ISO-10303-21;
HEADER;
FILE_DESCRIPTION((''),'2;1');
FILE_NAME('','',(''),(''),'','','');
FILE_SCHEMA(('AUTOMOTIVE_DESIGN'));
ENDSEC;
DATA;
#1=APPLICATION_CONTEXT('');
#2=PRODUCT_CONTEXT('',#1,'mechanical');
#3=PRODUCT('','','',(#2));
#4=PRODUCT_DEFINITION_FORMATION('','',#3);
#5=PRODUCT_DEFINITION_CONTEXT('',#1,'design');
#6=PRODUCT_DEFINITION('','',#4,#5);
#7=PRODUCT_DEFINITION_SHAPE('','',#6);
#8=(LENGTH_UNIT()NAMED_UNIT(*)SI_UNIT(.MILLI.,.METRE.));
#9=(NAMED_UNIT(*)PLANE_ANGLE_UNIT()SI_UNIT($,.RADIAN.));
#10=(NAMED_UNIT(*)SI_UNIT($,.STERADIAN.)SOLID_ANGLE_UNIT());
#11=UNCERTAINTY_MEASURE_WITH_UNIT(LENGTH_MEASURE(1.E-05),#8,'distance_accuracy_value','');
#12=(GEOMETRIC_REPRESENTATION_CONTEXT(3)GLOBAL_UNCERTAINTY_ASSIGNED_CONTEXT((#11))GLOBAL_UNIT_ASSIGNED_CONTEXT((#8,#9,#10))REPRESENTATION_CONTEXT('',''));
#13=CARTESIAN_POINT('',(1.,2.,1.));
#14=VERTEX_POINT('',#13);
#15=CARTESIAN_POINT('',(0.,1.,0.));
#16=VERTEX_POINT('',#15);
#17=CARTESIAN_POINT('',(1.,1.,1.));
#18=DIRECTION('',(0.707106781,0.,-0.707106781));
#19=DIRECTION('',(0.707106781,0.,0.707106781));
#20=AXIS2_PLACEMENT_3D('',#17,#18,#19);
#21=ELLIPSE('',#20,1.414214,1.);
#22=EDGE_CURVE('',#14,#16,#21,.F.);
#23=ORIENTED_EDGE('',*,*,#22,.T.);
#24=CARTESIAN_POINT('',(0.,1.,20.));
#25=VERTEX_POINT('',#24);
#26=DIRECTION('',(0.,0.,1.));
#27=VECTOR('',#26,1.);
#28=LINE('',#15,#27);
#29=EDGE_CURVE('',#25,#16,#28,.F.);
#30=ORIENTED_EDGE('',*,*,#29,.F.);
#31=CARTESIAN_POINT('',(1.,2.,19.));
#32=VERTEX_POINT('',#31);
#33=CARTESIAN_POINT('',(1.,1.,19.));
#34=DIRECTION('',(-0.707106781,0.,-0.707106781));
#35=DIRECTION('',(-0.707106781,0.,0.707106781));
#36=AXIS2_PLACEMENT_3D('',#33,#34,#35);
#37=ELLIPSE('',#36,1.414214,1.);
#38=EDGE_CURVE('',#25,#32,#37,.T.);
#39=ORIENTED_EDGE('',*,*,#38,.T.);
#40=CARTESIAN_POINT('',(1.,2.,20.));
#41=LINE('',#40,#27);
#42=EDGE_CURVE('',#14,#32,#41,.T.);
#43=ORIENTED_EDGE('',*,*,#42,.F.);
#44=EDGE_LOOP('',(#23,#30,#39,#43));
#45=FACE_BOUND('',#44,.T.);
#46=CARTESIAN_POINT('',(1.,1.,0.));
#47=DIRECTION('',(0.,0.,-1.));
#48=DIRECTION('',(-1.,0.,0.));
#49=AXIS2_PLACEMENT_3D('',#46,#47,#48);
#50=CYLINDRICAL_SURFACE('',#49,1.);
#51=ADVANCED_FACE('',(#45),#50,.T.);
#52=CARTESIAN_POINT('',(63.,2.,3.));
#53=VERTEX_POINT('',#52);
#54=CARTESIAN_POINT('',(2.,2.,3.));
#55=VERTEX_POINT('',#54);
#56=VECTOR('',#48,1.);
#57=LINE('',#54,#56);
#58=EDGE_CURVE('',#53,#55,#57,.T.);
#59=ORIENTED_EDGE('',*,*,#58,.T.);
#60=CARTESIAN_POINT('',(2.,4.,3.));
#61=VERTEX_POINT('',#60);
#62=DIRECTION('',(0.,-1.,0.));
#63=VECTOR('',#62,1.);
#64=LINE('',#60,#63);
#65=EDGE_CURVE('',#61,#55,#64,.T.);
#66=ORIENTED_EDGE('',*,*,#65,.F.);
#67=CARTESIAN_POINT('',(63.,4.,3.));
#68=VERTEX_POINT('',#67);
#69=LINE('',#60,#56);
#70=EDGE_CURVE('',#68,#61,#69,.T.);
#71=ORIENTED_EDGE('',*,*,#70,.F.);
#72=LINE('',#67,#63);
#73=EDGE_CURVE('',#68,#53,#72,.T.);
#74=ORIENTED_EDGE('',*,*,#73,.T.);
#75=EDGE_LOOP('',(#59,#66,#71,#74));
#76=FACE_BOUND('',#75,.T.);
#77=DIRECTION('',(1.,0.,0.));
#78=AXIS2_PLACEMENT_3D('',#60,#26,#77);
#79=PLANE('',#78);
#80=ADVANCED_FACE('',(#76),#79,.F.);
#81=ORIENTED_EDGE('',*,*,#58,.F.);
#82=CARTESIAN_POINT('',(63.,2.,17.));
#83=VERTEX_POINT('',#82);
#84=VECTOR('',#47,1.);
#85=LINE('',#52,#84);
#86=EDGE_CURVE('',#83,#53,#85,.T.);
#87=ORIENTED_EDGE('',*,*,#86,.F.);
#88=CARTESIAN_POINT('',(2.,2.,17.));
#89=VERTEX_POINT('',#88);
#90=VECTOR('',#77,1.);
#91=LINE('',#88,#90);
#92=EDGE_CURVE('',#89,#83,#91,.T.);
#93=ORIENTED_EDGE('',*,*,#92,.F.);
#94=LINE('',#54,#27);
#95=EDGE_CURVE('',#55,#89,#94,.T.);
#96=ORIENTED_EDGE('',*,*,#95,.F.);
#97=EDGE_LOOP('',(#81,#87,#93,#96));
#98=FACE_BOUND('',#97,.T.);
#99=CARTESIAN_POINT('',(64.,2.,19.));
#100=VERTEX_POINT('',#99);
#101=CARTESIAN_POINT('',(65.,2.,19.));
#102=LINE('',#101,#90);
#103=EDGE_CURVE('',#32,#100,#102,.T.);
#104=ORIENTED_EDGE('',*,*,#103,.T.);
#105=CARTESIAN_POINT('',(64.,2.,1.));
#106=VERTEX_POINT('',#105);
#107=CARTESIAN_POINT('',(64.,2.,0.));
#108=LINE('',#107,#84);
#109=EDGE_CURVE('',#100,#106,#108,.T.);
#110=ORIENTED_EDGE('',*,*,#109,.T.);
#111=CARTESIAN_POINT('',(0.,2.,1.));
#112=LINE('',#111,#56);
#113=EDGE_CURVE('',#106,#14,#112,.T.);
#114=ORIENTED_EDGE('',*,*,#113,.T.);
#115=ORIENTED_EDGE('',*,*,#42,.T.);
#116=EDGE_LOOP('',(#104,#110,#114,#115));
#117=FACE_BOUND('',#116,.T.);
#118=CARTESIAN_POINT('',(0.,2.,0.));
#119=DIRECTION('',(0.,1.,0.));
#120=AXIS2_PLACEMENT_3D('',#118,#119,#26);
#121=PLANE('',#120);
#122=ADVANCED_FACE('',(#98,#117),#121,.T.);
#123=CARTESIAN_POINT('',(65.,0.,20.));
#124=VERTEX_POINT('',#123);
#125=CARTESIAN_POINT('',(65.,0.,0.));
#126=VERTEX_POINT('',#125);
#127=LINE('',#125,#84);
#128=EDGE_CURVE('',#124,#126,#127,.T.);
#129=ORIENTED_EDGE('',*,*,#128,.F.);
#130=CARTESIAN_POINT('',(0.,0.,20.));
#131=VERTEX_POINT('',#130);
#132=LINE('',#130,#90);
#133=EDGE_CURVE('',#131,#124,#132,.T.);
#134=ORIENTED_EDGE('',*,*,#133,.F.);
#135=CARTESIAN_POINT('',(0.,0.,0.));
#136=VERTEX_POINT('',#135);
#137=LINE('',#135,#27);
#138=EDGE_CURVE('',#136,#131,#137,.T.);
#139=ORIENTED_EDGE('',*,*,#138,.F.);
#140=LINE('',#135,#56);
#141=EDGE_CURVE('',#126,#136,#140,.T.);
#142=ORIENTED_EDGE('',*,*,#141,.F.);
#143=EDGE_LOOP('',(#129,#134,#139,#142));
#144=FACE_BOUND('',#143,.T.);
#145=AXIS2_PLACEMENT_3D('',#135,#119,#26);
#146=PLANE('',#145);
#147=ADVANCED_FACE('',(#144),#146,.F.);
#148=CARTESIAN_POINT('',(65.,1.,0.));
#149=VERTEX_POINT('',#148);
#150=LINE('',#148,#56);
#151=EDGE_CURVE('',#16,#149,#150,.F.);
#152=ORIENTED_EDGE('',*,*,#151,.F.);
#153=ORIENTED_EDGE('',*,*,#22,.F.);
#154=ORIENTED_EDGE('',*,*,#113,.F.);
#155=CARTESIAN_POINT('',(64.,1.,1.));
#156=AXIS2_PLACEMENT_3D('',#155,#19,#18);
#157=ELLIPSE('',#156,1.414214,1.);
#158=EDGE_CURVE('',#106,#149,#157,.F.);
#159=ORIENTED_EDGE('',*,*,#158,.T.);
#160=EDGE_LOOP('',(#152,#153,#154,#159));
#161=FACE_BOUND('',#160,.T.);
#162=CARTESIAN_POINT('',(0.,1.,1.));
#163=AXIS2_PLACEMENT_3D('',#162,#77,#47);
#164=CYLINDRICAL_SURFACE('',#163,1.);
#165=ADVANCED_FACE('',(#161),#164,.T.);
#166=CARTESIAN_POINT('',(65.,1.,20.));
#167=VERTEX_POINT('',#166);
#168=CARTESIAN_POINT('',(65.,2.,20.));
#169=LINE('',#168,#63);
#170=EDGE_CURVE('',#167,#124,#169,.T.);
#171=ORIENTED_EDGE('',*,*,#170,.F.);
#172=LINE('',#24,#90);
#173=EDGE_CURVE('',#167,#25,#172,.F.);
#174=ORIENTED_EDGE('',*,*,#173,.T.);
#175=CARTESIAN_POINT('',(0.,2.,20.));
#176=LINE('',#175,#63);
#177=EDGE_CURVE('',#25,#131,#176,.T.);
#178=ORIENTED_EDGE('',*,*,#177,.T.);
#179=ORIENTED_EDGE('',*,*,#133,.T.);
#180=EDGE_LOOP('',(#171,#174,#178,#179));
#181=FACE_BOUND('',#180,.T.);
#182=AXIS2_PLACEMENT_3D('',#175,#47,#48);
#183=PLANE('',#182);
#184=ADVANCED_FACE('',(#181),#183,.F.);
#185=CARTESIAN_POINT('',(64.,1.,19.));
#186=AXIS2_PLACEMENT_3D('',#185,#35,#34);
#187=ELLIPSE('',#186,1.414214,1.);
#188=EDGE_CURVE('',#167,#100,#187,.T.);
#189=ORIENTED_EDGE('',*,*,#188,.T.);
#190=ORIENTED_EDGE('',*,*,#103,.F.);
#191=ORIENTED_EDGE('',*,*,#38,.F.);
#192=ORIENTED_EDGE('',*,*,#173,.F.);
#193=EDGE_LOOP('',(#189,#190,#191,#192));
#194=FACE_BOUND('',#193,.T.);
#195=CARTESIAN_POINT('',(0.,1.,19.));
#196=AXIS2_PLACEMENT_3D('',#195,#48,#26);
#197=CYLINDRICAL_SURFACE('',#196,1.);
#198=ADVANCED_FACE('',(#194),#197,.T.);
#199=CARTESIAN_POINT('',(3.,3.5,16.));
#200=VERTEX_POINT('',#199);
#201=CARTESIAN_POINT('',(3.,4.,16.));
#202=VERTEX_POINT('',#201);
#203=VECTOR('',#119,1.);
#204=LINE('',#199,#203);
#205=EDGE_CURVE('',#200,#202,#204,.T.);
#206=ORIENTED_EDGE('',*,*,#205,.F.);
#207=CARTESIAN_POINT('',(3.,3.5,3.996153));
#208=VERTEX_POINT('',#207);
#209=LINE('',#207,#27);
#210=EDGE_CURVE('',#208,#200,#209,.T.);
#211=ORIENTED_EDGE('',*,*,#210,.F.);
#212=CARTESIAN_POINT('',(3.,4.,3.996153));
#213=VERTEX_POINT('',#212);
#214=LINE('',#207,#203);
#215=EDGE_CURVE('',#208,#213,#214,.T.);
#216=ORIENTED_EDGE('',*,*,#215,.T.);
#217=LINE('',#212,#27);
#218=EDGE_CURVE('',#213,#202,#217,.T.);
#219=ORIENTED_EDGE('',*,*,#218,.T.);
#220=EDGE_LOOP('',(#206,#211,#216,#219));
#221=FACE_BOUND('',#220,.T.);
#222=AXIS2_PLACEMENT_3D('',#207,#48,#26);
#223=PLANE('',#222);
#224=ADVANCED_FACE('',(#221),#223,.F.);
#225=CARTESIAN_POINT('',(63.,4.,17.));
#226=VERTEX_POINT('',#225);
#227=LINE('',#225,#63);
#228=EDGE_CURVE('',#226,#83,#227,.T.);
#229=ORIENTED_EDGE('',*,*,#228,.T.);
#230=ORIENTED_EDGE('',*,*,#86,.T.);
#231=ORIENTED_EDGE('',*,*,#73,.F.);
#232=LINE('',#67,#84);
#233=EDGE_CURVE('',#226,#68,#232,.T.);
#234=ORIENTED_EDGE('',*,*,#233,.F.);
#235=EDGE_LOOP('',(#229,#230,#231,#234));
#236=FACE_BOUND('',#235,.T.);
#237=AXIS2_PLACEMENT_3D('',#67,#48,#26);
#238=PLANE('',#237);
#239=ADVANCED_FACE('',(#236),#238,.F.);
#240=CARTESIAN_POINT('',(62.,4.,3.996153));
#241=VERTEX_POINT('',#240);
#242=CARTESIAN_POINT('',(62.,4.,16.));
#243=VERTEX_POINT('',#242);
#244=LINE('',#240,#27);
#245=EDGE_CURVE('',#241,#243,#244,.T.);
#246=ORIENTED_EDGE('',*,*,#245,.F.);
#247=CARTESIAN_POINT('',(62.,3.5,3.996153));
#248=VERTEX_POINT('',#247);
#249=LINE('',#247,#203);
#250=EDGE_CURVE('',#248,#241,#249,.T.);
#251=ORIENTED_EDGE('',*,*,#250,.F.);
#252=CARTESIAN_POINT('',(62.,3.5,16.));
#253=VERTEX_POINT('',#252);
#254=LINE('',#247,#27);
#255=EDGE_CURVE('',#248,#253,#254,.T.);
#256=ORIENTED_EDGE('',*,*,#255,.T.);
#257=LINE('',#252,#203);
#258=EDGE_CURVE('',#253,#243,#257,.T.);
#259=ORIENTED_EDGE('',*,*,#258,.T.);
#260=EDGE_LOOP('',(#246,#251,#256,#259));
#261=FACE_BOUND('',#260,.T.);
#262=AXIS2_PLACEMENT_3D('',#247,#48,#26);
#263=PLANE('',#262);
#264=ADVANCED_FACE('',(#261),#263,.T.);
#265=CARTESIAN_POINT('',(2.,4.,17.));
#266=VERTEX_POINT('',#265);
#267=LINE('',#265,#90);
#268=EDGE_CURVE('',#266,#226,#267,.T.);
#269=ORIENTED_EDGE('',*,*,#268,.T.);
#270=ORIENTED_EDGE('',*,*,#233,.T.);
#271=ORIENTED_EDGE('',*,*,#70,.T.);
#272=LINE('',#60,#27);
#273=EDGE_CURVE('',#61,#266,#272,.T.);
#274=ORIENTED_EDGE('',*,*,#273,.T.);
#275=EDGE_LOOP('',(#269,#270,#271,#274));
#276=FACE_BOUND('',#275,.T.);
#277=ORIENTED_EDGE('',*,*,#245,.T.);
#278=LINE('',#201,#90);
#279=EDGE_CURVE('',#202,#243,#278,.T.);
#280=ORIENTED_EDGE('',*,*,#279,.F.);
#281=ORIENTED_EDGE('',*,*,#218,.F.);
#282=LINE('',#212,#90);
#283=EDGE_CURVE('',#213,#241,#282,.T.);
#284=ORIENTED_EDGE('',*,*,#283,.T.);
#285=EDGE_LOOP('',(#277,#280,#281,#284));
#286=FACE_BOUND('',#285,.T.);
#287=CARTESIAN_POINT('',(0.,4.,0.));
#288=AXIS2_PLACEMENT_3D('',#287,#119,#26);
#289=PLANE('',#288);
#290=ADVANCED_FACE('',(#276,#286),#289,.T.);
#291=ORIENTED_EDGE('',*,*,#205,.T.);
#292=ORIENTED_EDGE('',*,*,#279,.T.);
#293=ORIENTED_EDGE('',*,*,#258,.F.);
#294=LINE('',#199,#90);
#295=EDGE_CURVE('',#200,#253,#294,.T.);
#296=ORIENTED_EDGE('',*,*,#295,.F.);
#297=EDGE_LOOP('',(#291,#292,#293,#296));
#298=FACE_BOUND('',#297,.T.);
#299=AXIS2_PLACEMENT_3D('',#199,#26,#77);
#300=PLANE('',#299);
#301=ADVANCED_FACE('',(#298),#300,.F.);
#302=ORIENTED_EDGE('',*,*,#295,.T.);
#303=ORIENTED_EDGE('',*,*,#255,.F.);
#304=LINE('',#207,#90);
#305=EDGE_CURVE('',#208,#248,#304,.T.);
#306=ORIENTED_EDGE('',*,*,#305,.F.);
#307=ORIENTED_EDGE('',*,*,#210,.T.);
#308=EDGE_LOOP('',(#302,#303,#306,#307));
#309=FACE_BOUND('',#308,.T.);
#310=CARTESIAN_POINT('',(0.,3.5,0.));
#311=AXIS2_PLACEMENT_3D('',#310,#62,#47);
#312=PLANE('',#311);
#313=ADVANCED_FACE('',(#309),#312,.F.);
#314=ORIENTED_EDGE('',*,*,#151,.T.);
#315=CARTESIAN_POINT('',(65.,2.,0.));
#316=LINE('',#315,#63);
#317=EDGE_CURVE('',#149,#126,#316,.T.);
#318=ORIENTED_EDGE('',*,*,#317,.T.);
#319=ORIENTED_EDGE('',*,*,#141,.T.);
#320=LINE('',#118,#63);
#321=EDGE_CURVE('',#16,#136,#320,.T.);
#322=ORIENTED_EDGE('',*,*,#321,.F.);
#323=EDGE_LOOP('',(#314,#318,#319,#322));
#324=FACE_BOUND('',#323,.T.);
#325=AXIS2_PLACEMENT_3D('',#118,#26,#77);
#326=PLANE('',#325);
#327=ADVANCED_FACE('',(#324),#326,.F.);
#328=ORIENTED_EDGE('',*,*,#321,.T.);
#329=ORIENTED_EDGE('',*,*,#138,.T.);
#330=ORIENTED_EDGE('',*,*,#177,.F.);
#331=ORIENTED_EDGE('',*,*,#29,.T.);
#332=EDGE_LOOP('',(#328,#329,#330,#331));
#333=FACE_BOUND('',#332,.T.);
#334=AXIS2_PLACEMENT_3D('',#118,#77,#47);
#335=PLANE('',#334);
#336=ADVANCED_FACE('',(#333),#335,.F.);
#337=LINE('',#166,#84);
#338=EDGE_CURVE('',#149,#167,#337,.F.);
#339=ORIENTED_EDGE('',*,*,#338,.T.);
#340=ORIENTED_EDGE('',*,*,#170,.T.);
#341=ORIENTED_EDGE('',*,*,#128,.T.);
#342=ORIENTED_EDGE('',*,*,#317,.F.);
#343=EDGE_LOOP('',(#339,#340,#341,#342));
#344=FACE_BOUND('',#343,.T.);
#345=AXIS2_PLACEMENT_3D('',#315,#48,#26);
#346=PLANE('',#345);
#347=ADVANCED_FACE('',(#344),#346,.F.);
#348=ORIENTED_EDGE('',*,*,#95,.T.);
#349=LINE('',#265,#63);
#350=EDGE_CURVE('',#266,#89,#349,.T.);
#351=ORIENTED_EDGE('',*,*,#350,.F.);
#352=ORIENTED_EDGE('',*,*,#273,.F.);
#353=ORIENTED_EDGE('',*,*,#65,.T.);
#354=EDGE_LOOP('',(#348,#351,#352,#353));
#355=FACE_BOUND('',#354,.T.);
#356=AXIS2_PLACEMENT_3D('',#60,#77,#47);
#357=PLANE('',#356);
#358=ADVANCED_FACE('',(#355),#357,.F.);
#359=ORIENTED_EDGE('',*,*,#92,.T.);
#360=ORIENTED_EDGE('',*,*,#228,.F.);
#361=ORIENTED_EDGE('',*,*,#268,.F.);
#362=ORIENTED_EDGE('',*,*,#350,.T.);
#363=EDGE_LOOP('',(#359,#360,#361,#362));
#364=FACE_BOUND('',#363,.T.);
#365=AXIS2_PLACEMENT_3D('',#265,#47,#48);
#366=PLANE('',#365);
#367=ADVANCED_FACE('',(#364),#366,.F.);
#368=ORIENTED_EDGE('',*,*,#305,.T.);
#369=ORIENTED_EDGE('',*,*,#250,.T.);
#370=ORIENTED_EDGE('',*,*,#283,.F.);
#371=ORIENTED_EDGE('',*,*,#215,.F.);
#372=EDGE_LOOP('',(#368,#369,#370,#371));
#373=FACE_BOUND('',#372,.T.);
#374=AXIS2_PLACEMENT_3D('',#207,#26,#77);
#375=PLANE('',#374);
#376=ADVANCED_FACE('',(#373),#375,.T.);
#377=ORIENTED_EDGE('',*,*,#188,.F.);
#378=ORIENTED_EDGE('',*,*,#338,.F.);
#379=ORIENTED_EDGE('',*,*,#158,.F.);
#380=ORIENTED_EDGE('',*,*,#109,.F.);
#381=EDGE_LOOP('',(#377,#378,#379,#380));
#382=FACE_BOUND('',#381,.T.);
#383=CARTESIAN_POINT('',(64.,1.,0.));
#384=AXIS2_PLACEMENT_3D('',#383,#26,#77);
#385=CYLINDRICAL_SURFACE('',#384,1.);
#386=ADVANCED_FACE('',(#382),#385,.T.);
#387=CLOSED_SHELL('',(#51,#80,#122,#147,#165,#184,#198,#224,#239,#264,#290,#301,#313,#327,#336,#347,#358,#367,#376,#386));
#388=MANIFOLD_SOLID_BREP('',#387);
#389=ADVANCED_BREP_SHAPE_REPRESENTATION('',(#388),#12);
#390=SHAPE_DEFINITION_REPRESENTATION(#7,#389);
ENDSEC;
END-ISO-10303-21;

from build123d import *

# Parameters (mm, degrees)
ESBO_O1_W                = 65
ESBO_O1_H                = 20
RESSALTO_EXTRUS_O1_DEPTH = 2
ESBO_O2_W                = 61
ESBO_O2_H                = 14
RESSALTO_EXTRUS_O2_DEPTH = 2
ESBO_O3_W                = 59
ESBO_O3_H                = 12.003847287
CORTE_EXTRUS_O1_DEPTH    = 0.5
FILETE1_R                = 1


with BuildPart() as part:
    # Esboço1 → Ressalto-extrusão1 (new body)
    with BuildSketch(Plane(origin=(0, 0, 0), x_dir=(1, 0, 0), z_dir=(0, 1, 0))):
        with Locations((32.5, -10)):
            Rectangle(ESBO_O1_W, ESBO_O1_H)
    extrude(amount=RESSALTO_EXTRUS_O1_DEPTH)

    # Esboço2 → Ressalto-extrusão2 (add)
    with BuildSketch(Plane(origin=(0, 2, 0), x_dir=(1, 0, 0), z_dir=(0, 1, 0))):
        with Locations((32.5, -10)):
            Rectangle(ESBO_O2_W, ESBO_O2_H)
    extrude(amount=RESSALTO_EXTRUS_O2_DEPTH)

    # Esboço3 → Corte-extrusão1 (cut)
    with BuildSketch(Plane(origin=(0, 4, 0), x_dir=(1, 0, 0), z_dir=(0, 1, 0))):
        with Locations((32.5, -9.998076357)):
            Rectangle(ESBO_O3_W, ESBO_O3_H)
    extrude(amount=-CORTE_EXTRUS_O1_DEPTH, mode=Mode.SUBTRACT)

    # Filete1
    filete1_edges = [part.edges().sort_by_distance(p)[0] for p in [
        (65, 2, 10),
        (32.5, 2, 0),
        (0, 2, 10),
        (32.5, 2, 20),
    ]]
    fillet(filete1_edges, radius=FILETE1_R)


solid = part.part
